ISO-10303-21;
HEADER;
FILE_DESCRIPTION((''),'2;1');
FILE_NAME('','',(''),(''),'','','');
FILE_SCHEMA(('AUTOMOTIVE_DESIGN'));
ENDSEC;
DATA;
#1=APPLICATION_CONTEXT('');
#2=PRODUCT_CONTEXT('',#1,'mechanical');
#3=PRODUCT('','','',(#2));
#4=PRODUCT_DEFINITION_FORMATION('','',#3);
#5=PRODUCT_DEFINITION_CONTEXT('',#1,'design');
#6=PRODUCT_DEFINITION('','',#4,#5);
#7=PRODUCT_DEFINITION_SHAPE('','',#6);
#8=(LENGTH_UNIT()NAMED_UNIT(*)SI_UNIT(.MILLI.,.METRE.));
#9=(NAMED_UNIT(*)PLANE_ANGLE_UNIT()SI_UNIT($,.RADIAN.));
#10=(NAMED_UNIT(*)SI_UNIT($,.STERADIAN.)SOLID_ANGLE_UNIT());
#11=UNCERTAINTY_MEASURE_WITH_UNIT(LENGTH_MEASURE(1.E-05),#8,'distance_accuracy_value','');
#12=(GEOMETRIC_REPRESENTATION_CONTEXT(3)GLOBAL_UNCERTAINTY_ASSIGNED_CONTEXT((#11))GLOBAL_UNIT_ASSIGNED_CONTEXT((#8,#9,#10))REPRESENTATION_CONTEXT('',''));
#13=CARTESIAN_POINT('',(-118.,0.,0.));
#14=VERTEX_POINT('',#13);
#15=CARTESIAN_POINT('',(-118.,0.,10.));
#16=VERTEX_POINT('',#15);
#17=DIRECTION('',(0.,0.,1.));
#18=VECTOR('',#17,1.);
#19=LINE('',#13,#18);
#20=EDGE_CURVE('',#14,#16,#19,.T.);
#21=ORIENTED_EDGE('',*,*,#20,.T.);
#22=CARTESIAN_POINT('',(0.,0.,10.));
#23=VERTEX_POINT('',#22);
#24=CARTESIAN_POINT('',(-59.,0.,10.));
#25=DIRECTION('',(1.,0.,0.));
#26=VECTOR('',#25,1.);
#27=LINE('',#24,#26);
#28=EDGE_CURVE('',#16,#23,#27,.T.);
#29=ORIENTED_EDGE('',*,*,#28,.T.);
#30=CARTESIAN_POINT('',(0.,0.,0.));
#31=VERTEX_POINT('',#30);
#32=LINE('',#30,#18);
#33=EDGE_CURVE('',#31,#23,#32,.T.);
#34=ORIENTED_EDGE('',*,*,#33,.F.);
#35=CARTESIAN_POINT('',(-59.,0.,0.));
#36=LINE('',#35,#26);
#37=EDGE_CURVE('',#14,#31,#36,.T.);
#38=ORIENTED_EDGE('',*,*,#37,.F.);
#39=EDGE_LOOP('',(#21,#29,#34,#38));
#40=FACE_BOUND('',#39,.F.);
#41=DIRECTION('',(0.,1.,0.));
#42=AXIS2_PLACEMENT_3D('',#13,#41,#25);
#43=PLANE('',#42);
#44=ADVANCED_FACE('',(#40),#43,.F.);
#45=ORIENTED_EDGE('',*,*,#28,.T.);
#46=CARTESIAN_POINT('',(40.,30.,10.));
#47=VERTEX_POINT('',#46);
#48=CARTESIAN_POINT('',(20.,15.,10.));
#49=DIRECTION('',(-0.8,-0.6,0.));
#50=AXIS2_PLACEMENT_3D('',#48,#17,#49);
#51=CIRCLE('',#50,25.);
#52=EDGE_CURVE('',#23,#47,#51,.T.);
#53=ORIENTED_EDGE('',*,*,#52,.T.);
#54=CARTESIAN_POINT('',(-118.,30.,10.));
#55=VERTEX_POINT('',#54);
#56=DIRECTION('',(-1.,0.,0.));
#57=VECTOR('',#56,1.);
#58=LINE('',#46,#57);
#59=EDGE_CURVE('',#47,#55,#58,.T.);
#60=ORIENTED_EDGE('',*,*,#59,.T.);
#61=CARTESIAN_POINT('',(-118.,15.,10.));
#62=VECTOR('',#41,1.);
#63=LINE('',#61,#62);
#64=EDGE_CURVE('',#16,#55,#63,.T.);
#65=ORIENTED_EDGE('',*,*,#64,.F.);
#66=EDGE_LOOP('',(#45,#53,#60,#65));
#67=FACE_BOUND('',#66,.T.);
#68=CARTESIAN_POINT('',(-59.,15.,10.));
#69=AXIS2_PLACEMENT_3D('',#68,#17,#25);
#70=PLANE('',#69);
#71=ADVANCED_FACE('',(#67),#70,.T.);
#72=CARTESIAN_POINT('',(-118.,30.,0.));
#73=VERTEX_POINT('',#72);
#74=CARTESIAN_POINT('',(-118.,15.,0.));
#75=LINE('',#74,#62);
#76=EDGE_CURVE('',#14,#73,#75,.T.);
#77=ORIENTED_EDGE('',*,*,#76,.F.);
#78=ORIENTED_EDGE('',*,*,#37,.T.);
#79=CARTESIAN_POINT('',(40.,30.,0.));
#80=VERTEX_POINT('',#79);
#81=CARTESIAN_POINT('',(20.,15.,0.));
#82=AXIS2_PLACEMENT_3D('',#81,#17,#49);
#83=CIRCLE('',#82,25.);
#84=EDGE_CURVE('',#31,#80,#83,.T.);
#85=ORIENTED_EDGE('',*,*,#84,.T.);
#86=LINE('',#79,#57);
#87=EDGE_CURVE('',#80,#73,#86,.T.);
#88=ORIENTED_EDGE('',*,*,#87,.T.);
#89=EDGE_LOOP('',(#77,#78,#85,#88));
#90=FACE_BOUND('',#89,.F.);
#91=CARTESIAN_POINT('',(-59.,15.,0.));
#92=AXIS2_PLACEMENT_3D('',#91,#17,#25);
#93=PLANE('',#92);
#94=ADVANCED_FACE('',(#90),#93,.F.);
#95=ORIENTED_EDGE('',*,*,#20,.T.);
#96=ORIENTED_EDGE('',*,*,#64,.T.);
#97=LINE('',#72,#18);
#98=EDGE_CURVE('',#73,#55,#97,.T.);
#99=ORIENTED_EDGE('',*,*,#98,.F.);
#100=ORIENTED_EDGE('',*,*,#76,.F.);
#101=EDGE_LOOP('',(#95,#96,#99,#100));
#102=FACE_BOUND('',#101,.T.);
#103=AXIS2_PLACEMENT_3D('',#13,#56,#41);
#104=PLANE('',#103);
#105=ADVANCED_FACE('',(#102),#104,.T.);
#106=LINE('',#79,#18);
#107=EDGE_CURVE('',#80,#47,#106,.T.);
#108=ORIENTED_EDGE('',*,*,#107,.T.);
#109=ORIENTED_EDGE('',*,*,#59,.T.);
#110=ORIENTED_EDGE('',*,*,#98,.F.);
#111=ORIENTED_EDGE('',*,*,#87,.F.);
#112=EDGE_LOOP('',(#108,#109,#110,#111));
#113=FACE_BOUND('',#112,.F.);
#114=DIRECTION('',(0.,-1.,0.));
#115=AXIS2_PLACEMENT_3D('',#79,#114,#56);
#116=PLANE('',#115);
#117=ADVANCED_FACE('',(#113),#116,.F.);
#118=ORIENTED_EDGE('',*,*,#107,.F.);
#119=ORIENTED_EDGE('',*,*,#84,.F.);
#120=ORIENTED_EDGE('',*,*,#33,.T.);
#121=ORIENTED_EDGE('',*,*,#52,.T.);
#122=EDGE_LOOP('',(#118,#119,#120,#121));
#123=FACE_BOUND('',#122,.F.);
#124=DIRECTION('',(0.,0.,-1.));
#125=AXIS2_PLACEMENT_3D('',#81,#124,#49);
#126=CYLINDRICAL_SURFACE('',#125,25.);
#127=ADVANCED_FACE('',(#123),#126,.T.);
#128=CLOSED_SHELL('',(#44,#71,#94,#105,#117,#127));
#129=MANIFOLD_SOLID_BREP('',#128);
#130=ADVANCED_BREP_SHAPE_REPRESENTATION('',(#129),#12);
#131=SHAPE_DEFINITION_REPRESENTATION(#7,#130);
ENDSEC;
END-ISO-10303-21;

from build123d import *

# Parameters (mm, degrees)
F0_W     = 118
F0_H     = 30
F1_DEPTH = 10


with BuildPart() as f1:
    # F0 (on Top) → F1 (new body)
    with BuildSketch(Plane.XY):
        with Locations((-59, 15)):
            Rectangle(F0_W, F0_H)
        Polygon((0, 30), (0, 0), (40, 30), align=None)
        with BuildLine():
            Line((40, 30), (0, 0))
            ThreePointArc((0, 0), (35, -5), (40, 30))
        make_face()
    extrude(amount=F1_DEPTH)


solid = f1.part
